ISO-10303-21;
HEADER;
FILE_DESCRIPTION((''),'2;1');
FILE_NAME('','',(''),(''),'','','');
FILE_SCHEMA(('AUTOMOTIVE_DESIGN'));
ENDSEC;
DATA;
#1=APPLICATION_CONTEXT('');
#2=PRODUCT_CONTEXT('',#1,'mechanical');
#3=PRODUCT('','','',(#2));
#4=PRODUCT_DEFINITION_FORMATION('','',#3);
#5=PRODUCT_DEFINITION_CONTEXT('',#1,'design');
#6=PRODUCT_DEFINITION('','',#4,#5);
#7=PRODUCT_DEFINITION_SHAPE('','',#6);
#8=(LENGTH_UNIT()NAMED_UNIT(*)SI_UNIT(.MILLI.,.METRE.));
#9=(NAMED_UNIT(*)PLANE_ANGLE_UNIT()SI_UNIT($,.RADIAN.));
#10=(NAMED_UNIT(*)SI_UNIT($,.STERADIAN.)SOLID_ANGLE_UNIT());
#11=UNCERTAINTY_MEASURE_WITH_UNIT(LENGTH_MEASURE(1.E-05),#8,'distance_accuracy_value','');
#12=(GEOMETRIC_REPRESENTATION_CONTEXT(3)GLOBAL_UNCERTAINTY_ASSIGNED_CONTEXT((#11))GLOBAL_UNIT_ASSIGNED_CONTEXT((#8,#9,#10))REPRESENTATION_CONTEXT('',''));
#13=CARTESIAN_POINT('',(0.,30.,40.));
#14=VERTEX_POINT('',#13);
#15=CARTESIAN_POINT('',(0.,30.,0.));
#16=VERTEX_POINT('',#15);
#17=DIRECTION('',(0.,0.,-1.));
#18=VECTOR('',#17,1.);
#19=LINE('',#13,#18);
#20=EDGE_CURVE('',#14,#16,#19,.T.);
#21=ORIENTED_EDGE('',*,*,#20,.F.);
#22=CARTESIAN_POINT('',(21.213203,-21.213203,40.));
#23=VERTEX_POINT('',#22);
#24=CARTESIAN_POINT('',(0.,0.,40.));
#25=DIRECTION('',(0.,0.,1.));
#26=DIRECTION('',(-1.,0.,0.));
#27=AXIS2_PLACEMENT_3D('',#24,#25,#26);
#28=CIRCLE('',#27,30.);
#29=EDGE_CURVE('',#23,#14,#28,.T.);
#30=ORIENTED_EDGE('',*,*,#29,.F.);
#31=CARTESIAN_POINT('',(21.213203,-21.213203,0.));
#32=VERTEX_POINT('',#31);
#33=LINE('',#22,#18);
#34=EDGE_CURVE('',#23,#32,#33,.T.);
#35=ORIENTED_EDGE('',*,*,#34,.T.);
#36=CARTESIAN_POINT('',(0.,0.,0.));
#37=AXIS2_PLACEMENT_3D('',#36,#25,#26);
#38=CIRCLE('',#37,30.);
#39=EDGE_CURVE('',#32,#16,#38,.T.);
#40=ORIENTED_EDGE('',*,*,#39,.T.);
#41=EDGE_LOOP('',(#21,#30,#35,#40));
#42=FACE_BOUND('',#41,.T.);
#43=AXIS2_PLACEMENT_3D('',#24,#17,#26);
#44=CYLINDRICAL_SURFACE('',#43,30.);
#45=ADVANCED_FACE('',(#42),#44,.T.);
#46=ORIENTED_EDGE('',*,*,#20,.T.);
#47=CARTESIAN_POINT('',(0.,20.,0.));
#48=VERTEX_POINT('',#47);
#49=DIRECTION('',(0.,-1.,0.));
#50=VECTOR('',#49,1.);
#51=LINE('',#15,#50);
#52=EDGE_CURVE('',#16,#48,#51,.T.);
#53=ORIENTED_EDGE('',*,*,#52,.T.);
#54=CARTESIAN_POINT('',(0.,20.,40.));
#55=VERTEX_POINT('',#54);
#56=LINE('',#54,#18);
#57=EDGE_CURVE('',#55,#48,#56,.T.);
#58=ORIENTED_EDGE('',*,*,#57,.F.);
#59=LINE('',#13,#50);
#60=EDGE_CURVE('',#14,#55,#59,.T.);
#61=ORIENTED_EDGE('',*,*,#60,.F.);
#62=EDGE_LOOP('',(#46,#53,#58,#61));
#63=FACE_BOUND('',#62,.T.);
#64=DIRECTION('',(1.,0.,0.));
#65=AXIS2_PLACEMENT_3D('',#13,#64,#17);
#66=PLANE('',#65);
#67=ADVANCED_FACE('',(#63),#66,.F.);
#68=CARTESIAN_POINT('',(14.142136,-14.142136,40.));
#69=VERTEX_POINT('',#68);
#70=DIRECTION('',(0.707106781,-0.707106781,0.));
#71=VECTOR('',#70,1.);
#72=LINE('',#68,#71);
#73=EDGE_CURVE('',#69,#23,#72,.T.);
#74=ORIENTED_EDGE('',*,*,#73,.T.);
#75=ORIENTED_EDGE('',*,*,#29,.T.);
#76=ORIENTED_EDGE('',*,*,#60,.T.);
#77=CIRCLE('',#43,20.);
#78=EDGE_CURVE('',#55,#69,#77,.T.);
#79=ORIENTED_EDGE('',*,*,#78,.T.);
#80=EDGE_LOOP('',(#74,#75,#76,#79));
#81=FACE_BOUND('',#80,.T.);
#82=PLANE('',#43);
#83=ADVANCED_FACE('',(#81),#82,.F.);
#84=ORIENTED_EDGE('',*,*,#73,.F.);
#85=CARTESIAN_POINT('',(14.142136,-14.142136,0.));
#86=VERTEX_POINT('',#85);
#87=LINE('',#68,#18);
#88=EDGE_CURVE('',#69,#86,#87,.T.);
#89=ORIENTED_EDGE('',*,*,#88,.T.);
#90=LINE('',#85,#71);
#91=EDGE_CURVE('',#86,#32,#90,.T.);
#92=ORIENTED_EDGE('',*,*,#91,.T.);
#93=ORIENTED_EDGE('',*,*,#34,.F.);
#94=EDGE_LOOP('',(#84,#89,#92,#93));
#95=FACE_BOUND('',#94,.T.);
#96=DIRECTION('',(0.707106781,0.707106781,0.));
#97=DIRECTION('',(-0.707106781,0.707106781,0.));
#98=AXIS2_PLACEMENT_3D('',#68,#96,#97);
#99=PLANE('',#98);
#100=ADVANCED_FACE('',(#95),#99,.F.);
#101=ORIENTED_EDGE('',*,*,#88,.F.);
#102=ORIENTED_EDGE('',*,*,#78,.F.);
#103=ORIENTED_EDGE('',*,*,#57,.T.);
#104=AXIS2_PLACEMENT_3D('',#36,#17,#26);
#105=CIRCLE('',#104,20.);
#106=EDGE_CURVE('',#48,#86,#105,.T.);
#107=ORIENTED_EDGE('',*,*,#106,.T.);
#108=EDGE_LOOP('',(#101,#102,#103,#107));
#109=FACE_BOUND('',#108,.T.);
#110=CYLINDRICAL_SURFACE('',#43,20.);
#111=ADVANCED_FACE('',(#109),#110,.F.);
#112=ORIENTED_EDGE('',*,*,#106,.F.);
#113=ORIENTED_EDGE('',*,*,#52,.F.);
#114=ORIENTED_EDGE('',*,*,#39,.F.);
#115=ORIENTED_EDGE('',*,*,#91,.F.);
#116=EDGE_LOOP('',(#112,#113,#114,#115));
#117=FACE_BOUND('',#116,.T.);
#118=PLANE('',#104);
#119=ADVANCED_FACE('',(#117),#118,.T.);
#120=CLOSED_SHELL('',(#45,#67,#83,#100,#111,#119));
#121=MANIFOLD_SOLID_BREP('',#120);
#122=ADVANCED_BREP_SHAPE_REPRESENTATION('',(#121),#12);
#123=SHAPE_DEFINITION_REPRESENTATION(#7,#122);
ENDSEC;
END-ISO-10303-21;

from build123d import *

# Parameters (mm, degrees)
SALIENTE_EXTRUIR1_DEPTH = 40


with BuildPart() as part:
    # Croquis1 → Saliente-Extruir1 (new body)
    with BuildSketch(Plane.XY):
        with BuildLine():
            Line((0, 30), (0, 20))
            ThreePointArc((0, 20), (18.47759065, 7.653668647), (14.142135624, -14.142135624))
            Line((14.142135624, -14.142135624), (21.213203436, -21.213203436))
            ThreePointArc((21.213203436, -21.213203436), (27.716385975, 11.480502971), (0, 30))
        make_face()
    extrude(amount=SALIENTE_EXTRUIR1_DEPTH)


solid = part.part
